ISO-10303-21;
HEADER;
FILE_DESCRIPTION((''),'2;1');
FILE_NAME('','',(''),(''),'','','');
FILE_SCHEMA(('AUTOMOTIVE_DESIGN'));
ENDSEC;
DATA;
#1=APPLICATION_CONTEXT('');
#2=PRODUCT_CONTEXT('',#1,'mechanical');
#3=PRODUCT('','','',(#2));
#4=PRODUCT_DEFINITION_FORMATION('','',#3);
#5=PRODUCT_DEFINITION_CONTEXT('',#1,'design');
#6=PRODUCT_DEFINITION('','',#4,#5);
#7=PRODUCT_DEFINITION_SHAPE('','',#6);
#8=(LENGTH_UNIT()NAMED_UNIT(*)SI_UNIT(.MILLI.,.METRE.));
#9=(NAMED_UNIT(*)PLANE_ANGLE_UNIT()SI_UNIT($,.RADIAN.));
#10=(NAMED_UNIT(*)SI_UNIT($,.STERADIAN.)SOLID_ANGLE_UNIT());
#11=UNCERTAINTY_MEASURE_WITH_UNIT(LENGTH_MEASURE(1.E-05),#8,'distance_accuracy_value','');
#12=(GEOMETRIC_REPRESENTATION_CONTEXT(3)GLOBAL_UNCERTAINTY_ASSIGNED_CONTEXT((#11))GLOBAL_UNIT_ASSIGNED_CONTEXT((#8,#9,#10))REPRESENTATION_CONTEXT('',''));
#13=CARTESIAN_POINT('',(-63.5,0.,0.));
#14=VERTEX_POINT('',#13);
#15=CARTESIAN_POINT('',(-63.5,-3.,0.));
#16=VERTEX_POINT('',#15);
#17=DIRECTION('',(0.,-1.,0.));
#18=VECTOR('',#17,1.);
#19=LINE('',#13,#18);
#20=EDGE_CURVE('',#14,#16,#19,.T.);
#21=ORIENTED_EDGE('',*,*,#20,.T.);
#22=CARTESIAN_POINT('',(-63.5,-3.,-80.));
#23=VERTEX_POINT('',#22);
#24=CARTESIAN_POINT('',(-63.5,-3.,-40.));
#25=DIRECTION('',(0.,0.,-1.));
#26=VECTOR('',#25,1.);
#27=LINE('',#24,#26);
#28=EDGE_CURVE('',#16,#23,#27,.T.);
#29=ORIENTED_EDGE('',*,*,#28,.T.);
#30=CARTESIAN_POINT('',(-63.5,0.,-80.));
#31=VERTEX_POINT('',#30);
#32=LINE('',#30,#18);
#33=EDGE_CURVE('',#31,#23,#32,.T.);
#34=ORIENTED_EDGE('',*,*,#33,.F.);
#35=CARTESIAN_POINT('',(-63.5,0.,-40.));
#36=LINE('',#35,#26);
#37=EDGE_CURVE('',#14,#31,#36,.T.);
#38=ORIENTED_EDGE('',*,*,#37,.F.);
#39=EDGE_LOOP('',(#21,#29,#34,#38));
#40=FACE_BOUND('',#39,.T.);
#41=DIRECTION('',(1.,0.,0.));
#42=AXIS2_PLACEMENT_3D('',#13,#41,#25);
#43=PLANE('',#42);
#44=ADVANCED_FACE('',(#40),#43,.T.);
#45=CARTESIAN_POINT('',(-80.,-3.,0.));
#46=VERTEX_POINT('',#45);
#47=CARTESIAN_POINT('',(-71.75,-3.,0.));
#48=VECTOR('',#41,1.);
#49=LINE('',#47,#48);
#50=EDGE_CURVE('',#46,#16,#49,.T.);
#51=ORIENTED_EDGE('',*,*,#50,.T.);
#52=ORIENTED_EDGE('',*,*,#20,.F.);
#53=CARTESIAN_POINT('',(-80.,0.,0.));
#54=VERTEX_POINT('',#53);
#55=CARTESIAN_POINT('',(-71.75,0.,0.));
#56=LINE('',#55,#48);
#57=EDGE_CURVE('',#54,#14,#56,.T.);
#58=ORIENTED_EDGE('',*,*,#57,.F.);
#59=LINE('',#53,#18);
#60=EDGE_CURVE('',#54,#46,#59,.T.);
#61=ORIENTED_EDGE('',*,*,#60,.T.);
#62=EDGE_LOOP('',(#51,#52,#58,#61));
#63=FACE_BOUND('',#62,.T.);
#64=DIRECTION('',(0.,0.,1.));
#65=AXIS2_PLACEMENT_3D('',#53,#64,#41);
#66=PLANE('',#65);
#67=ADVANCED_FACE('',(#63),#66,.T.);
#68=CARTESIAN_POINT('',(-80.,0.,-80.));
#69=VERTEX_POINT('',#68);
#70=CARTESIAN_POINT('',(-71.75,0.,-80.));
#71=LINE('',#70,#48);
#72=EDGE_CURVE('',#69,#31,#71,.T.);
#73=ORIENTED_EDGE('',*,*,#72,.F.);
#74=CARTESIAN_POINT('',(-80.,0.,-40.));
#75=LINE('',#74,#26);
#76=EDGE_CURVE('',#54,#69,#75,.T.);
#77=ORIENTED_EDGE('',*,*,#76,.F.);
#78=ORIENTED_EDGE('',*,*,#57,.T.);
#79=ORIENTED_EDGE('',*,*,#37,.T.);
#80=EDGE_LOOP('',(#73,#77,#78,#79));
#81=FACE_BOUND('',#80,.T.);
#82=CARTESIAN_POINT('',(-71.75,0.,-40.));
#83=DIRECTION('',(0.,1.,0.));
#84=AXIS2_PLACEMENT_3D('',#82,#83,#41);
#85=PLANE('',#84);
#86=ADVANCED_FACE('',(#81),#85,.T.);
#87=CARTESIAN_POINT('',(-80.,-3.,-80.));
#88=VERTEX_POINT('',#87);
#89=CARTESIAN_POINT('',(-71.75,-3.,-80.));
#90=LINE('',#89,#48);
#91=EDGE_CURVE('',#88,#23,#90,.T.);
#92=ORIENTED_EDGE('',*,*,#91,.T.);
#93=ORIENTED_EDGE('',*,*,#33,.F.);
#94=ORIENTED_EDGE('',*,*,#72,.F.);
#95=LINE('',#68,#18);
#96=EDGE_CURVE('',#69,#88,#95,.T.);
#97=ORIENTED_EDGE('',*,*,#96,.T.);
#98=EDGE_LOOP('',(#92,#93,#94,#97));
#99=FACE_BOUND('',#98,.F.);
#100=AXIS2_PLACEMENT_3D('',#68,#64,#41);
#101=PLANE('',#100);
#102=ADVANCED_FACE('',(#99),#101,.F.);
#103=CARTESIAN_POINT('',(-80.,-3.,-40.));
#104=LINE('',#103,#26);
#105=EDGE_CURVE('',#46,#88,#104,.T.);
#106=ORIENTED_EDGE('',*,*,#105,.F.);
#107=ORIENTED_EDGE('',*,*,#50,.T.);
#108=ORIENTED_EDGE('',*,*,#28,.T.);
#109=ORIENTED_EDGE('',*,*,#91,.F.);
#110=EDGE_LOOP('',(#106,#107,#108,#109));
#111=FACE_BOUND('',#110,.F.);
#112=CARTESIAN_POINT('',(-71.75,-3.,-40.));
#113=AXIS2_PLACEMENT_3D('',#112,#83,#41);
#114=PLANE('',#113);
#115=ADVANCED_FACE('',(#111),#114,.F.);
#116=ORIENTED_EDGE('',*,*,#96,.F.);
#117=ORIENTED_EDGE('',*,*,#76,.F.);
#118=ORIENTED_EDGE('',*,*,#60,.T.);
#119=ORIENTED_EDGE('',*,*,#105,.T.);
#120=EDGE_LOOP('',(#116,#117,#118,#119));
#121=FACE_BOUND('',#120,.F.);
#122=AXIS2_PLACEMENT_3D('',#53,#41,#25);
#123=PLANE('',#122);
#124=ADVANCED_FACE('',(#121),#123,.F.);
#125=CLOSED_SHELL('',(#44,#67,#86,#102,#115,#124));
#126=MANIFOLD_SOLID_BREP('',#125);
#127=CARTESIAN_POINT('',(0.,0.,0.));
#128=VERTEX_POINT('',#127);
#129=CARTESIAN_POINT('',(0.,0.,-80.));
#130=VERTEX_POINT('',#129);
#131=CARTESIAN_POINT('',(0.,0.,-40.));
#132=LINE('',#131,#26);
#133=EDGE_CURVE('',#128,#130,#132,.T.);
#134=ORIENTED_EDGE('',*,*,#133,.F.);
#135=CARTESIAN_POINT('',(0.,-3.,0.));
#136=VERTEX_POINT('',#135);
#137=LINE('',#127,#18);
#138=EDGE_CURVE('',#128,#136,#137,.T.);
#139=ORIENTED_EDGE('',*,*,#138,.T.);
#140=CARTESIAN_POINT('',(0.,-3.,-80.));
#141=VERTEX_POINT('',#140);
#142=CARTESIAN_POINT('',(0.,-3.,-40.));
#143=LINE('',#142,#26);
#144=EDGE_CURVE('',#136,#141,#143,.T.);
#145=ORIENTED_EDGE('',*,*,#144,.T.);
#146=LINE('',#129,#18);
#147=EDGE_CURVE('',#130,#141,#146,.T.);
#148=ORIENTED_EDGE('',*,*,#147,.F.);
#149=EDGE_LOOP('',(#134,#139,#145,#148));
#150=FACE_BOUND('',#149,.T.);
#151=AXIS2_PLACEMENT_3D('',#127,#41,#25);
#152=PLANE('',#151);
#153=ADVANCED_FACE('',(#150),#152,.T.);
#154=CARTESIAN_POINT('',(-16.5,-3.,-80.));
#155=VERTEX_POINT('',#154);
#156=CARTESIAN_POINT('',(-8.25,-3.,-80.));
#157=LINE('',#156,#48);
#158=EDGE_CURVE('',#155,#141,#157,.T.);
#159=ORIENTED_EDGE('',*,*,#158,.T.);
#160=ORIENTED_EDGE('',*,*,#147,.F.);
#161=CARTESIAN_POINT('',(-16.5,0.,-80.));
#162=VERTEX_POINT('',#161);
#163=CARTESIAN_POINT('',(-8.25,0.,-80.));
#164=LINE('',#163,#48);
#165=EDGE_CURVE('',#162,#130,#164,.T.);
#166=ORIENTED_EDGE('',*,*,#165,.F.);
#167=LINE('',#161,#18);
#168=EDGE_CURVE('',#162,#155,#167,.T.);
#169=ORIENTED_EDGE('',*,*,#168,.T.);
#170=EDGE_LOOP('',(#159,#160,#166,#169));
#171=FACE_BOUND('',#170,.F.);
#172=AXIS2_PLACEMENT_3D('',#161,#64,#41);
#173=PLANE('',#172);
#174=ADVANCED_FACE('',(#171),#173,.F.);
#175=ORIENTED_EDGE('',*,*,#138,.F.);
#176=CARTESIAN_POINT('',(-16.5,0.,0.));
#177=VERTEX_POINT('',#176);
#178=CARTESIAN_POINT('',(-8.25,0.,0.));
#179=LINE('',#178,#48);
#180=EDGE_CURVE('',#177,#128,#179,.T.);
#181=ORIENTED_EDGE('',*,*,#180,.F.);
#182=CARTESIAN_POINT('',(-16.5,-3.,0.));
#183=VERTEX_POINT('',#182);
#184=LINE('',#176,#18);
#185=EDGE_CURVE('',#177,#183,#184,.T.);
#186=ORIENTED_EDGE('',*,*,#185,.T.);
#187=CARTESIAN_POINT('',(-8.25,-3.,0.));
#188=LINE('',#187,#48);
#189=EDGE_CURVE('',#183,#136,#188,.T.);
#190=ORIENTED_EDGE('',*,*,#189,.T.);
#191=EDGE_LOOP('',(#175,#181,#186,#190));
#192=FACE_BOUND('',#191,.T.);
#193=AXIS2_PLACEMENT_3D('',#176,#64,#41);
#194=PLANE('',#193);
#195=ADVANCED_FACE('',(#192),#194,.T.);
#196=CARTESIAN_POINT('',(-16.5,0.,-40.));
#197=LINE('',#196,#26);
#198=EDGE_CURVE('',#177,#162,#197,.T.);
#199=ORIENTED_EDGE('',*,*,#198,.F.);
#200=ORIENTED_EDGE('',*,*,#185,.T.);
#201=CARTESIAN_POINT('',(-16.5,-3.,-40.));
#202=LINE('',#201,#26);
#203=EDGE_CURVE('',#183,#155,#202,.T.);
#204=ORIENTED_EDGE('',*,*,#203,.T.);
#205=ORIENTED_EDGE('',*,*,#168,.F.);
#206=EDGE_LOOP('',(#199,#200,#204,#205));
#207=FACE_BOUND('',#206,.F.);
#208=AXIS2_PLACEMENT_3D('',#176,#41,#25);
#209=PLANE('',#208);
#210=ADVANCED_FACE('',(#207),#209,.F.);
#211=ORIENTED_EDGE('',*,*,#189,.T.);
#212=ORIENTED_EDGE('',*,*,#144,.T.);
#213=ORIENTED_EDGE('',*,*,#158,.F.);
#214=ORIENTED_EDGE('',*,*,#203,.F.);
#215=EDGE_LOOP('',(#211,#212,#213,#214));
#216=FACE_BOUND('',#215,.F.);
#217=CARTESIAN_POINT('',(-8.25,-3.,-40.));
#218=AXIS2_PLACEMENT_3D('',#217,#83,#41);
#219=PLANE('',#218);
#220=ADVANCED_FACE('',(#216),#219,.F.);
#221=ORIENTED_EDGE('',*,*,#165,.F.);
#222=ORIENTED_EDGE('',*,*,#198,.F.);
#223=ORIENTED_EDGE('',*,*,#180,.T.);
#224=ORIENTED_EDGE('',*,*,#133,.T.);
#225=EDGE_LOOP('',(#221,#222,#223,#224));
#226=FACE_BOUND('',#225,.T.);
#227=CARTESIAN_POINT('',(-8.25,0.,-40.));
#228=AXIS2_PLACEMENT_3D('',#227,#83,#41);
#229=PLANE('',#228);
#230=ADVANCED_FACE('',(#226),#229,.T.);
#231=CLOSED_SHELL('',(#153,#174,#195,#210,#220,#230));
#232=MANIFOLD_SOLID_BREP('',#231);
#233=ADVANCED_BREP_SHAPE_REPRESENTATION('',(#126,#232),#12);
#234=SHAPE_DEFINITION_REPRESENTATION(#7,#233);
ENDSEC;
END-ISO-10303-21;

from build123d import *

# Parameters (mm, degrees)
SKETCH1_W             = 16.5
SKETCH1_H             = 80
BOSS_EXTRUDE1_DEPTH   = 3
BOSS_EXTRUDE1_2_DEPTH = 3


with BuildPart() as part:
    # Sketch1 → Boss-Extrude1 (new body)
    with BuildSketch(Plane(origin=(0, 0, 0), x_dir=(1, 0, 0), z_dir=(0, 1, 0))):
        with Locations((-71.75, 40)):
            Rectangle(SKETCH1_W, SKETCH1_H)
    extrude(amount=-BOSS_EXTRUDE1_DEPTH)


with BuildPart() as body_2:
    # Sketch1 → Boss-Extrude1 2 (new body)
    with BuildSketch(Plane(origin=(0, 0, 0), x_dir=(1, 0, 0), z_dir=(0, 1, 0))):
        with Locations((-8.25, 40)):
            Rectangle(SKETCH1_W, SKETCH1_H)
    extrude(amount=-BOSS_EXTRUDE1_2_DEPTH)


solid = Compound([part.part, body_2.part])
